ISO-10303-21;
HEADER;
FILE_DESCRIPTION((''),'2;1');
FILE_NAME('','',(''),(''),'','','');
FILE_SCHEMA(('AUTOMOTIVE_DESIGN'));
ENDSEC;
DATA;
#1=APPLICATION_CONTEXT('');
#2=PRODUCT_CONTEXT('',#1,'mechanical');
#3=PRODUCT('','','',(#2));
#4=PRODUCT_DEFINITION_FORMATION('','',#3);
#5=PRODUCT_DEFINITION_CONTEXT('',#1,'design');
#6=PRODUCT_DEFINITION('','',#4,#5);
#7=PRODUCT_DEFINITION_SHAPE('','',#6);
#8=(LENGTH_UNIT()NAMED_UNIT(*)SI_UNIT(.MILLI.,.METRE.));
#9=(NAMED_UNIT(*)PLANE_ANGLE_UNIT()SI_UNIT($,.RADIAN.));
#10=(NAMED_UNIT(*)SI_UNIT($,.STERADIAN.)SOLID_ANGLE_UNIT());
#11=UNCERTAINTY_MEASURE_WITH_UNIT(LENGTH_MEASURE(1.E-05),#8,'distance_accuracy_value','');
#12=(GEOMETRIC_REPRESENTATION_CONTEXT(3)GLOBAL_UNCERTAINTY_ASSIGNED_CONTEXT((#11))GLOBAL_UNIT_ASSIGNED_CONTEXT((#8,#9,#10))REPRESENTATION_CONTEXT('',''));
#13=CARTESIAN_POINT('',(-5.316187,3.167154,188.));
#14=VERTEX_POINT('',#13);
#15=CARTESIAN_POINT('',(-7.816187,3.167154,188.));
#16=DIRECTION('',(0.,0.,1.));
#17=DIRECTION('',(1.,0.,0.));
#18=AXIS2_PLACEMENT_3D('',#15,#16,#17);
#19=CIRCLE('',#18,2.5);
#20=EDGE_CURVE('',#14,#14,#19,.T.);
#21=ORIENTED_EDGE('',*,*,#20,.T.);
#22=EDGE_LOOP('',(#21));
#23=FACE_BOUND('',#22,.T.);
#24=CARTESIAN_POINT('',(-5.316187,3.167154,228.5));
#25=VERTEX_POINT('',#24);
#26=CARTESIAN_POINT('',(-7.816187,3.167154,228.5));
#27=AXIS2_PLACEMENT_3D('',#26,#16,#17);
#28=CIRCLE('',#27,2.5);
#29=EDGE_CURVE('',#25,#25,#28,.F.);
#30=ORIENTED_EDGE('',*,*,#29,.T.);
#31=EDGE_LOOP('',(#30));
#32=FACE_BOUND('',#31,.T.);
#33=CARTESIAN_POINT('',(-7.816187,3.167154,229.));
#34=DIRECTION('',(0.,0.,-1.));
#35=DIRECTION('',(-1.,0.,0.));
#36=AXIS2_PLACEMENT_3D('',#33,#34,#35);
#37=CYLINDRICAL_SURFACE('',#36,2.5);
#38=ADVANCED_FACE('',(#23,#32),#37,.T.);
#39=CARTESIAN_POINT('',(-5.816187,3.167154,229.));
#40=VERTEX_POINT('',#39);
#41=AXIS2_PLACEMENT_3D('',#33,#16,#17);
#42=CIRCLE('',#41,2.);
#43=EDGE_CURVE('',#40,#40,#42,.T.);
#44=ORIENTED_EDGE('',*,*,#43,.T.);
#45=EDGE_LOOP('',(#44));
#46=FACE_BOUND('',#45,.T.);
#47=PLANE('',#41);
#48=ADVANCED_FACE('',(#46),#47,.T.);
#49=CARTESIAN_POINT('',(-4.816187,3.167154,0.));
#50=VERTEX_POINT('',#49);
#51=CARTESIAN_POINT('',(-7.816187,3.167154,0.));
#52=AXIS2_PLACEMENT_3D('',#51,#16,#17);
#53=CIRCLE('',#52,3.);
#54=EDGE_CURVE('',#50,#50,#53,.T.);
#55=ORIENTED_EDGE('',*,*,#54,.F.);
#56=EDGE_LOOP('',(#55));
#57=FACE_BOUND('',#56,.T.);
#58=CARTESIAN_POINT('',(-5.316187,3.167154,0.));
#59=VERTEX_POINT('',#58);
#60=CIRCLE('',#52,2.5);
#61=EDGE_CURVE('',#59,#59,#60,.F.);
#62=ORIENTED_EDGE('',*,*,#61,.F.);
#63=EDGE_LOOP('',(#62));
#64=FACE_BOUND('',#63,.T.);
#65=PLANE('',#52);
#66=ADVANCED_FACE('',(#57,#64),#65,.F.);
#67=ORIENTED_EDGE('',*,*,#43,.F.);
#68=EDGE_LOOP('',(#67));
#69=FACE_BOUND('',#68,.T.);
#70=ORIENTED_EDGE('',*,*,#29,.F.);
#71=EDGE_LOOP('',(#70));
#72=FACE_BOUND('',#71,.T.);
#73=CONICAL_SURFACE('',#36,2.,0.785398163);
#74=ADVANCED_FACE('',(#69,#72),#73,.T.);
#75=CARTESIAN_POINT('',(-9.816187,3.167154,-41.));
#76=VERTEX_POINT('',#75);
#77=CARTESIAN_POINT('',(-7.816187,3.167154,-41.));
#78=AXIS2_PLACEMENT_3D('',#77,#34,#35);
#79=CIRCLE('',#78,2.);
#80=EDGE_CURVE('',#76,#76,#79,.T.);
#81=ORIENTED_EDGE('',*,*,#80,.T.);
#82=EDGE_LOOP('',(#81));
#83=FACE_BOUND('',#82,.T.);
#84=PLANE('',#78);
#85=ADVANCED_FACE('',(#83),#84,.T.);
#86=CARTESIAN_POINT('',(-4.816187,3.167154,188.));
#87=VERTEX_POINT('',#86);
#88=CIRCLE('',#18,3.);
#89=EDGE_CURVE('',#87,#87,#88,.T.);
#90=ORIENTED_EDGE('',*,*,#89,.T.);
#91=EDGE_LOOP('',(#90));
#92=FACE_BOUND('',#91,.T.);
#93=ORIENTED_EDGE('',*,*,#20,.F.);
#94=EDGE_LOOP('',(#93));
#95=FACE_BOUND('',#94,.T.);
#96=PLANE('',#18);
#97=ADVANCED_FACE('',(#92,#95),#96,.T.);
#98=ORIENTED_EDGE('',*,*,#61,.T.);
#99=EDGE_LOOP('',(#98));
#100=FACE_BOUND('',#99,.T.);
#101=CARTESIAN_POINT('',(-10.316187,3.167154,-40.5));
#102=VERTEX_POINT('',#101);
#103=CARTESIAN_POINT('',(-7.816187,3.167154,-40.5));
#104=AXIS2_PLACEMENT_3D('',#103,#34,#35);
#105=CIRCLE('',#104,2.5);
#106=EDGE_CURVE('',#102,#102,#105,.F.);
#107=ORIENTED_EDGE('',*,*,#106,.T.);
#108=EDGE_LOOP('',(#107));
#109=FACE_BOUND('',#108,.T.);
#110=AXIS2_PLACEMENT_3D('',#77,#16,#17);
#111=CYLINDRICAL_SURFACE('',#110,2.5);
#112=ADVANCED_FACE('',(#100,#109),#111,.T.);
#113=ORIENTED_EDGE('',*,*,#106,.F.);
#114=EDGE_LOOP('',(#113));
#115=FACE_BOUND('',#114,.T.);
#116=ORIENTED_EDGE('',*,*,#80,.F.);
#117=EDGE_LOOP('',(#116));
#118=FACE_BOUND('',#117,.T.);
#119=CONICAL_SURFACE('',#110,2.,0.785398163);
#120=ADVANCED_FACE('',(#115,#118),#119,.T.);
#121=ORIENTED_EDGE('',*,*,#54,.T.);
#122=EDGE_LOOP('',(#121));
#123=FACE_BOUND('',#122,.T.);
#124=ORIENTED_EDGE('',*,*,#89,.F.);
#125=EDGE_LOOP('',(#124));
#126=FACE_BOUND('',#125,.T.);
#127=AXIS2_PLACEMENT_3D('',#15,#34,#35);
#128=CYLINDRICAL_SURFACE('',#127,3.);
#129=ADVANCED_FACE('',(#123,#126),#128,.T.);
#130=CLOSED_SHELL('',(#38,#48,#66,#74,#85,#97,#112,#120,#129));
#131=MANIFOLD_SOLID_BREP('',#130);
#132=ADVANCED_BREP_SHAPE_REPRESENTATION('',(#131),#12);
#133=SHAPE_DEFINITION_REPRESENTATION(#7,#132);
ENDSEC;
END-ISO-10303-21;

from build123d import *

# Parameters (mm, degrees)
SKETCH_1_R      = 3
EXTRUDE_1_DEPTH = 188
SKETCH_2_R      = 2.5
EXTRUDE_2_DEPTH = 41
EXTRUDE_START   = 41
SKETCH_3_R      = 2.5
EXTRUDE_3_DEPTH = 41
CHAMFER_1_SIZE  = 0.5


with BuildPart() as part:
    # 草图1 → 凸台-拉伸1 (new body)
    with BuildSketch(Plane.XY):
        with Locations((-7.816186841, 3.167153776)):
            Circle(SKETCH_1_R)
    extrude(amount=EXTRUDE_1_DEPTH)

    # 草图2 → 凸台-拉伸2 (add)
    with BuildSketch(Plane(origin=(0, 0, 0), x_dir=(-1, 0, 0), z_dir=(0, 0, -1))):
        with Locations(Location((7.816186841, 3.167153776, 0), (0, 0, 180))):
            Circle(SKETCH_2_R)
    extrude(amount=EXTRUDE_2_DEPTH)

    # 草图3 → 凸台-拉伸3 (add)
    with BuildSketch(Plane.XY.offset(188).offset(EXTRUDE_START)):
        with Locations((-7.816186841, 3.167153776)):
            Circle(SKETCH_3_R)
    extrude(amount=-EXTRUDE_3_DEPTH)

    # 倒角1
    chamfer_1_edges = [part.edges().sort_by_distance(p)[0] for p in [
        (-10.316186841, 3.167153776, 229),
        (-10.316186841, 3.167153776, -41),
    ]]
    chamfer(chamfer_1_edges, length=CHAMFER_1_SIZE)


solid = part.part
